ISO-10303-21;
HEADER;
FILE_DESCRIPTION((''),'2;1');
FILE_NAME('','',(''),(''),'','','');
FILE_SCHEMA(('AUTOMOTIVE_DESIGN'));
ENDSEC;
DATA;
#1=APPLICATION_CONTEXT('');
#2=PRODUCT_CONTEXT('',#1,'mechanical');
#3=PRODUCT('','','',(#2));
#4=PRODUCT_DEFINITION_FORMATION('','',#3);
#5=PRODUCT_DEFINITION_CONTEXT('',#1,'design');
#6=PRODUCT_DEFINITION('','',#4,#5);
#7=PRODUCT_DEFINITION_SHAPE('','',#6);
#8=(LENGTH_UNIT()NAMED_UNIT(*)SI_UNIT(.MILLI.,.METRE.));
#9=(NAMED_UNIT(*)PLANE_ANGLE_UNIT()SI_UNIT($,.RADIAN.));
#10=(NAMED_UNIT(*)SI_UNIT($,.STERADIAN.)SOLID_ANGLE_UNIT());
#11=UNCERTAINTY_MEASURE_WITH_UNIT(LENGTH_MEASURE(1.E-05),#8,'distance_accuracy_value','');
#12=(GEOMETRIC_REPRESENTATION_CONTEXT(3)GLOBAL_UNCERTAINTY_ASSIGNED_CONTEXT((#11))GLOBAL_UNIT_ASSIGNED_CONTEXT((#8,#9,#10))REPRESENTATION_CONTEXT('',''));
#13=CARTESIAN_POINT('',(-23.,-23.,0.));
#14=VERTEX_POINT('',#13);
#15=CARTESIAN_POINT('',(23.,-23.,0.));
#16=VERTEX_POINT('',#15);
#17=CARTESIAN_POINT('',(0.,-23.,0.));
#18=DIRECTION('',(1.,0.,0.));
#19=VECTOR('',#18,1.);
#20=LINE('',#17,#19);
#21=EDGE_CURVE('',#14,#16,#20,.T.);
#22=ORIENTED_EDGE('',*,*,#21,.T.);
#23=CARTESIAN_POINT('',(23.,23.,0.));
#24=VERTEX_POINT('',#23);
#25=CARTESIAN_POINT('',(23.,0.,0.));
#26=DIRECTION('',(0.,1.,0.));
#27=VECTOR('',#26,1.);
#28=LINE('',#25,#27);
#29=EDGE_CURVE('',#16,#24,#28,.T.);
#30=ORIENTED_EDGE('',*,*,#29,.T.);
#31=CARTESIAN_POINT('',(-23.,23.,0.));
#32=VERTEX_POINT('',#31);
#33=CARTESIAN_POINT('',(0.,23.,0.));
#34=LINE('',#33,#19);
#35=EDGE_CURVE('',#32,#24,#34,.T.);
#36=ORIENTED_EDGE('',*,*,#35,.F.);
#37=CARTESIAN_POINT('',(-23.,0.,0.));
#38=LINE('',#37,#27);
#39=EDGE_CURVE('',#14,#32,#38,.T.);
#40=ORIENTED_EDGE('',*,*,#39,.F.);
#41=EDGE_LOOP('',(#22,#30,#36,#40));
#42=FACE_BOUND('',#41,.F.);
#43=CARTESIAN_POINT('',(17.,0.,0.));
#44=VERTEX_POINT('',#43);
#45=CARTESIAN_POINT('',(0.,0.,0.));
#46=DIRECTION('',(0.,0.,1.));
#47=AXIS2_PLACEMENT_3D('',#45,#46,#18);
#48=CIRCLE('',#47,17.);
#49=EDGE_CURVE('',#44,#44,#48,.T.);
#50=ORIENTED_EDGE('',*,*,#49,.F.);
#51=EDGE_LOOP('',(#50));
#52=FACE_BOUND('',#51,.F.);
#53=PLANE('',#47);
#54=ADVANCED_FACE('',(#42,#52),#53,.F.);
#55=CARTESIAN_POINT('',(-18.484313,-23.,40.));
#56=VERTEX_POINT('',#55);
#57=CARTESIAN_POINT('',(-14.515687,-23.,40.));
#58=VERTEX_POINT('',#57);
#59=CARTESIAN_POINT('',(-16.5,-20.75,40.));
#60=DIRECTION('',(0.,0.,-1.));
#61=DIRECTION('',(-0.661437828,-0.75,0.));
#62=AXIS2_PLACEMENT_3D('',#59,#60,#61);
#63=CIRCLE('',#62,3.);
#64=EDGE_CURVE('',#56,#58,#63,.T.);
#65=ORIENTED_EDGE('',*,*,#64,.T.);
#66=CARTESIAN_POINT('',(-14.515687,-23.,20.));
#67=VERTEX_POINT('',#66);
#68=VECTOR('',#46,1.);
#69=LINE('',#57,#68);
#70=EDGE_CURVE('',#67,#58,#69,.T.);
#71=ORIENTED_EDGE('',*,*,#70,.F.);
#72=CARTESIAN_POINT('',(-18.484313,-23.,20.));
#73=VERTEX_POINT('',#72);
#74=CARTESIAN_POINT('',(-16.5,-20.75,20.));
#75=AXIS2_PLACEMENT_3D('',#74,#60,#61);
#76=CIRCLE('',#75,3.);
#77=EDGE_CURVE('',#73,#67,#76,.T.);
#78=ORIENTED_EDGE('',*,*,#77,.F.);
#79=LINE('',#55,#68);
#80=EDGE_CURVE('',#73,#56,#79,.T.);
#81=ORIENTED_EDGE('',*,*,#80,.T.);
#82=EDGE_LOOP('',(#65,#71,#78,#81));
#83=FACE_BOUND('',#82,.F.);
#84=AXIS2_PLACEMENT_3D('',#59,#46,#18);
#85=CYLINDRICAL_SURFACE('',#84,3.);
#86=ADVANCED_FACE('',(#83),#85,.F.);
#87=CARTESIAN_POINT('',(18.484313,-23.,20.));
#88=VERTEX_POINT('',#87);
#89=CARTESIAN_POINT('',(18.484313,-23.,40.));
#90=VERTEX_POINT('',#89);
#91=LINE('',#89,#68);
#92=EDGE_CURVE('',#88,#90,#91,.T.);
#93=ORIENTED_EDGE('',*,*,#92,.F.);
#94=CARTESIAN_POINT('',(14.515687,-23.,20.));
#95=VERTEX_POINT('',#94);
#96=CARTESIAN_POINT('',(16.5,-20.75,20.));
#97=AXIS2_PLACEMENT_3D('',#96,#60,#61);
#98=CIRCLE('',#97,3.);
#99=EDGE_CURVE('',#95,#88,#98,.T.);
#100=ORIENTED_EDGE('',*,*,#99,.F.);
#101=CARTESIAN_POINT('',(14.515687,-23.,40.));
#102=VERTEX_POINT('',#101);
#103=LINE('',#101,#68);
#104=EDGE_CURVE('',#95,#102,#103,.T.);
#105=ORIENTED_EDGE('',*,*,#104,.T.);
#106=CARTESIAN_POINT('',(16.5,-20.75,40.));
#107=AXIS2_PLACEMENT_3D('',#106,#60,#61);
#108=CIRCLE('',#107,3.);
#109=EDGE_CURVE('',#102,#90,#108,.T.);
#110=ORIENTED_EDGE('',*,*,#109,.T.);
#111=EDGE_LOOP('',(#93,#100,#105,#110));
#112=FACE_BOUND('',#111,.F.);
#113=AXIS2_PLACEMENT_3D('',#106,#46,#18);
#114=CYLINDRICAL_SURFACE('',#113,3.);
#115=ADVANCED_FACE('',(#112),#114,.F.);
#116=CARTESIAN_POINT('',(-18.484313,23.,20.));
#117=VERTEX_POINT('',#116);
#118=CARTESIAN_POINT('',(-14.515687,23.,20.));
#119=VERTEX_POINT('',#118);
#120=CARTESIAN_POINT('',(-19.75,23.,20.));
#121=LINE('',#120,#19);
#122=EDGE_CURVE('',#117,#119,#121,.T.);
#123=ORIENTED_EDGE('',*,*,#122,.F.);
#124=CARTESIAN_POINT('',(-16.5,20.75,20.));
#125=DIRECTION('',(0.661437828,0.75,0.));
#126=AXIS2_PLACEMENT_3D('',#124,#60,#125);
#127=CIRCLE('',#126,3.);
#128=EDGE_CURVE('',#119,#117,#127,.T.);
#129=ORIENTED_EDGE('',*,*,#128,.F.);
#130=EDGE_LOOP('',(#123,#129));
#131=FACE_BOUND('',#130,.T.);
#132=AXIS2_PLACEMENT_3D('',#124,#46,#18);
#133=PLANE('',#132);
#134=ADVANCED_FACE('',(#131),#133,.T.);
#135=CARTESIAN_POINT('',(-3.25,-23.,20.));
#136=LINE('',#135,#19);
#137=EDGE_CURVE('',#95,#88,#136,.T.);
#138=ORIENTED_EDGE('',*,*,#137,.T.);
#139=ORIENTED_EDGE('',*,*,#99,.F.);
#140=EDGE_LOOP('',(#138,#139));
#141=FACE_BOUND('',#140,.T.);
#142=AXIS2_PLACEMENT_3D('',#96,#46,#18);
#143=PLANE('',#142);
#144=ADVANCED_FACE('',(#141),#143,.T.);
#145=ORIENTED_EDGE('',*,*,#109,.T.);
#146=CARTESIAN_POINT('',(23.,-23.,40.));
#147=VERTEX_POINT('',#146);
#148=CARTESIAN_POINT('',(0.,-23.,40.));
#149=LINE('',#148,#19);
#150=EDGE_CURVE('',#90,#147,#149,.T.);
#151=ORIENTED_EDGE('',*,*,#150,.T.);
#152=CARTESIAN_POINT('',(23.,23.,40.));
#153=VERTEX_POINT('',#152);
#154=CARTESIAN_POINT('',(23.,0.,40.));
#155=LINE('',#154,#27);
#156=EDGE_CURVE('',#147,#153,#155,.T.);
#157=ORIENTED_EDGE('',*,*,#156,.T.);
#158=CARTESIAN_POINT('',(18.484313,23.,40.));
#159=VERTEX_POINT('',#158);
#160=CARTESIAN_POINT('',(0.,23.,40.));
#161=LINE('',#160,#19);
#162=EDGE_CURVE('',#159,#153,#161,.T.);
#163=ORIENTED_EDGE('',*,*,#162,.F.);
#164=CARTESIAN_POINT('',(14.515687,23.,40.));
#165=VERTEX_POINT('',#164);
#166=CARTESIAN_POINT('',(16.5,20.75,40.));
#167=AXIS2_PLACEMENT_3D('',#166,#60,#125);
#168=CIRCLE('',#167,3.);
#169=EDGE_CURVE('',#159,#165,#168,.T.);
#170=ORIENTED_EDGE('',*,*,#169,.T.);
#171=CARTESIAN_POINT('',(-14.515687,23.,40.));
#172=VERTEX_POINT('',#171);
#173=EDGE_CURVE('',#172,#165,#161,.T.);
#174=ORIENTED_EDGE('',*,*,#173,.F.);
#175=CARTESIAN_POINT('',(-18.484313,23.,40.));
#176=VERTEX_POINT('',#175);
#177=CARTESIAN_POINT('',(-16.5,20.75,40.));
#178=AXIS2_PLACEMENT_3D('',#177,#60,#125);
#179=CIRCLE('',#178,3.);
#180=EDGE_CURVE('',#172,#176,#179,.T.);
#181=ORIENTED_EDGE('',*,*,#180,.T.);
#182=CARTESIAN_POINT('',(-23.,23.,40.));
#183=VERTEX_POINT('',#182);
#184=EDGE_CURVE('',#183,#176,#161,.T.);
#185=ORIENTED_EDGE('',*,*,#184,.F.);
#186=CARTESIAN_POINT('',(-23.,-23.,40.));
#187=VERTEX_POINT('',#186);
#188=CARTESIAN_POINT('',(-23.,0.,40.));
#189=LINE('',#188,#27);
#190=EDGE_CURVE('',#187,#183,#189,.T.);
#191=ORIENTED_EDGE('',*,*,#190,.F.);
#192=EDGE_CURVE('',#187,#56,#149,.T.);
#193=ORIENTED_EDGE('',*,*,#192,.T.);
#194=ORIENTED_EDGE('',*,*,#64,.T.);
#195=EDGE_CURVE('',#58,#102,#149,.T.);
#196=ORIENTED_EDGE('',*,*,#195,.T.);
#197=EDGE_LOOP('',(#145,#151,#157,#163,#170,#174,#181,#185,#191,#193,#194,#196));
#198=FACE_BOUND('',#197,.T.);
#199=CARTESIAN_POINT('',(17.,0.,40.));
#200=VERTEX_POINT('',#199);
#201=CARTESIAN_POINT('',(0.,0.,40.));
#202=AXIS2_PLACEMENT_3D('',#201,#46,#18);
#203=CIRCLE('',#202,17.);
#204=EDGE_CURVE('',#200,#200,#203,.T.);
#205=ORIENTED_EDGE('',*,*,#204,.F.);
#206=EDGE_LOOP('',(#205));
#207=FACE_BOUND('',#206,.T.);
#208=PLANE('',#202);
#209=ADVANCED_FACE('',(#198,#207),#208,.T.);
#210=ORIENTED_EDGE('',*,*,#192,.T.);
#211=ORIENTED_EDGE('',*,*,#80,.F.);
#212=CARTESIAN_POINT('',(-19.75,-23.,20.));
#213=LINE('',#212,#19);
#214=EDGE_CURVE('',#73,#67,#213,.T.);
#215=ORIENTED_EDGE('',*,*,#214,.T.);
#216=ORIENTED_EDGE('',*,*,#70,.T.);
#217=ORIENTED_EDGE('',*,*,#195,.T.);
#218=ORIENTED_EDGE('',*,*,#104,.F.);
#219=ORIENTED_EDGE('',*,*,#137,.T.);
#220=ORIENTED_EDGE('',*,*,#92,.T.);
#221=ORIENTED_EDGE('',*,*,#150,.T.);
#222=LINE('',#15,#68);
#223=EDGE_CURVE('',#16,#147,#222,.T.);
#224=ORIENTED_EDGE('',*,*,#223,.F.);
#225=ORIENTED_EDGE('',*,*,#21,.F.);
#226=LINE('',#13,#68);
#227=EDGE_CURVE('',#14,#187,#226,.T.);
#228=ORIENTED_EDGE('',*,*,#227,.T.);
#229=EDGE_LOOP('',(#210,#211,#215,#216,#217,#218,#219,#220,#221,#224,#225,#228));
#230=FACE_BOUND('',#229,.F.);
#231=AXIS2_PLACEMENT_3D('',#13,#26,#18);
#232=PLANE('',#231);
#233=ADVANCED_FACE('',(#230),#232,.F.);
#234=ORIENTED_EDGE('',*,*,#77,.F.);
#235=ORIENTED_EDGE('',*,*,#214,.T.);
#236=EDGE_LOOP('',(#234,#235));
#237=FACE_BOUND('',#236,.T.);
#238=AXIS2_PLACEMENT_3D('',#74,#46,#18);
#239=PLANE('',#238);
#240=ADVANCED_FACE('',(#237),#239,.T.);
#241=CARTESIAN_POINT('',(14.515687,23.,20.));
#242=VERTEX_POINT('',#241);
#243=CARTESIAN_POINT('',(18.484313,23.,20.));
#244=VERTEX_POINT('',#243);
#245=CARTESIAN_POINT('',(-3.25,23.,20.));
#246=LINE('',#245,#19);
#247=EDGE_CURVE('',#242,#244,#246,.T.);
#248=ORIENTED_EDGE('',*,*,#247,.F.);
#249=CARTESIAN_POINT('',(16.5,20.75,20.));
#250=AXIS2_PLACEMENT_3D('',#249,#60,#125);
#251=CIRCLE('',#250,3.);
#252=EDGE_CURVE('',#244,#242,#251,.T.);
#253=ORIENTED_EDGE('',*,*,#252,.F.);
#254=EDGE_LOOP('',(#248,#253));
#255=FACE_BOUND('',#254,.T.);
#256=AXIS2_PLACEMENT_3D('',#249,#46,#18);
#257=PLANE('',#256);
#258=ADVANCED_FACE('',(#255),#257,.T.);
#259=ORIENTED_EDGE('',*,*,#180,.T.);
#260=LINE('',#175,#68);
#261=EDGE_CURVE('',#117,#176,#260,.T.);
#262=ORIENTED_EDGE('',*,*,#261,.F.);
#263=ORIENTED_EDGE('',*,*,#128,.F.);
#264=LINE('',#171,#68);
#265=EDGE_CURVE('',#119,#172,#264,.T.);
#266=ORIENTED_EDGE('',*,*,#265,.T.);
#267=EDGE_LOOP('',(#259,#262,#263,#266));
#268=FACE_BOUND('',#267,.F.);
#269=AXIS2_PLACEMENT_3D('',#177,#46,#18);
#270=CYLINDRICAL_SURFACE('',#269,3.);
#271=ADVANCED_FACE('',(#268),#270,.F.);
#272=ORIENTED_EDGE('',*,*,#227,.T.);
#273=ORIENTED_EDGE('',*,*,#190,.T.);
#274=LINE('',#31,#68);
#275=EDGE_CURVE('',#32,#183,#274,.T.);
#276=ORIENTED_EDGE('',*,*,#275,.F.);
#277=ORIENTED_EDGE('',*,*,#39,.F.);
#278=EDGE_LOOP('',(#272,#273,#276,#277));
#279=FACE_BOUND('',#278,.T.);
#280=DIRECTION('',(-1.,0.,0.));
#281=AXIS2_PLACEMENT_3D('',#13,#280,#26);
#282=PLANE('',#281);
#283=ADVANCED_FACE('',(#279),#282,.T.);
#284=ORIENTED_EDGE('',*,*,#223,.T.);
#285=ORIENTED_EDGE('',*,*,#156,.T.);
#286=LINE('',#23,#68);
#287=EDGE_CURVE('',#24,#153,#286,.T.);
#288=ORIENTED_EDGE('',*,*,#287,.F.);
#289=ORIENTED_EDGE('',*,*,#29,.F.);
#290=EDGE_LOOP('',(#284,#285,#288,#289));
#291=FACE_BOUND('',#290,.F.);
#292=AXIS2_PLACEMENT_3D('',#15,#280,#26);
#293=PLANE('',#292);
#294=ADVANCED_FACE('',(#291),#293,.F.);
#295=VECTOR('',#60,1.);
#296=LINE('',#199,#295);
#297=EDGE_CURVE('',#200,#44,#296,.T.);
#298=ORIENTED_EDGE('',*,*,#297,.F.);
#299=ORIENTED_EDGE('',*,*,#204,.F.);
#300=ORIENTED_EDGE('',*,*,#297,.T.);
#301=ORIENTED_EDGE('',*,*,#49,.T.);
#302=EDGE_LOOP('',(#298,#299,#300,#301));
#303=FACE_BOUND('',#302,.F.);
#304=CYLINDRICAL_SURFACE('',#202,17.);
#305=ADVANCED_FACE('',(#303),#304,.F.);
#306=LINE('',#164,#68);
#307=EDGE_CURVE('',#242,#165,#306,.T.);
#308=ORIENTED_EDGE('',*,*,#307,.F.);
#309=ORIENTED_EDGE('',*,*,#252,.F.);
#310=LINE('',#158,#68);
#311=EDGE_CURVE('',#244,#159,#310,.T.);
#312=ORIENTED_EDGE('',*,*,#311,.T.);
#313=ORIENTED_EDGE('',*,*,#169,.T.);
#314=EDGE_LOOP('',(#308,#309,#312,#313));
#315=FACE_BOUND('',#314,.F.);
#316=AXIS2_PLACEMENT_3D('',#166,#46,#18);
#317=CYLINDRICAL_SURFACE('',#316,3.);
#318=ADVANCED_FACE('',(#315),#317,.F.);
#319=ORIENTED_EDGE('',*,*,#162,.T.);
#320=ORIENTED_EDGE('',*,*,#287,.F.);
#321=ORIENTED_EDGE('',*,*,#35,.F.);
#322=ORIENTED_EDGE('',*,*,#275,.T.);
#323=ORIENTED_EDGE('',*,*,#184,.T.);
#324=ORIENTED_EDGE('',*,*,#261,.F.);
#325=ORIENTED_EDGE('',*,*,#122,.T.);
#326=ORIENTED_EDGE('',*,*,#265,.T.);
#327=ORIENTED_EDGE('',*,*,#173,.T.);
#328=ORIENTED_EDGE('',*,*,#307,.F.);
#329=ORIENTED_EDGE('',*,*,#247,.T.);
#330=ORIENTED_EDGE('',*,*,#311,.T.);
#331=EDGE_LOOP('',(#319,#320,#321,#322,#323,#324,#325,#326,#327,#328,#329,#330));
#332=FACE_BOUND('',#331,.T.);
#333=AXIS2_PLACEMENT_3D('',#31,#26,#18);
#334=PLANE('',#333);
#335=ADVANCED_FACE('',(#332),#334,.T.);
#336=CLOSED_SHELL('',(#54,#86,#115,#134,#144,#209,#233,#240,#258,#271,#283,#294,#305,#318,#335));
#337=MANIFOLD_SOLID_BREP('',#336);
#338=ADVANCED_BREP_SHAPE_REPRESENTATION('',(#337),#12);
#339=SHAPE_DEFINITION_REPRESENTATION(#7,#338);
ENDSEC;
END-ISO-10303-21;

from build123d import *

# Parameters (mm, degrees)
SKETCH_W        = 46
SKETCH_H        = 46
PAD_DEPTH       = 40
SKETCH001_R     = 17
POCKET_DEPTH    = 40.001
SKETCH002_R     = 3
POCKET001_DEPTH = 20


with BuildPart() as part:
    # Sketch → Pad (new body)
    with BuildSketch(Plane.XY):
        Rectangle(SKETCH_W, SKETCH_H)
    extrude(amount=PAD_DEPTH)

    # Sketch001 (on Face6 of Pad) → Pocket (cut, through all)
    with BuildSketch(Plane.XY.offset(40)):
        Circle(SKETCH001_R)
    extrude(amount=-POCKET_DEPTH, mode=Mode.SUBTRACT)

    # Sketch002 (on Face5 of Pocket) → Pocket001 (cut)
    with BuildSketch(Plane.XY.offset(40)):
        with Locations((16.5, 20.75)):
            Circle(SKETCH002_R)
        with Locations((-16.5, 20.75)):
            Circle(SKETCH002_R)
        with Locations((-16.5, -20.75)):
            Circle(SKETCH002_R)
        with Locations((16.5, -20.75)):
            Circle(SKETCH002_R)
    extrude(amount=-POCKET001_DEPTH, mode=Mode.SUBTRACT)


solid = part.part
